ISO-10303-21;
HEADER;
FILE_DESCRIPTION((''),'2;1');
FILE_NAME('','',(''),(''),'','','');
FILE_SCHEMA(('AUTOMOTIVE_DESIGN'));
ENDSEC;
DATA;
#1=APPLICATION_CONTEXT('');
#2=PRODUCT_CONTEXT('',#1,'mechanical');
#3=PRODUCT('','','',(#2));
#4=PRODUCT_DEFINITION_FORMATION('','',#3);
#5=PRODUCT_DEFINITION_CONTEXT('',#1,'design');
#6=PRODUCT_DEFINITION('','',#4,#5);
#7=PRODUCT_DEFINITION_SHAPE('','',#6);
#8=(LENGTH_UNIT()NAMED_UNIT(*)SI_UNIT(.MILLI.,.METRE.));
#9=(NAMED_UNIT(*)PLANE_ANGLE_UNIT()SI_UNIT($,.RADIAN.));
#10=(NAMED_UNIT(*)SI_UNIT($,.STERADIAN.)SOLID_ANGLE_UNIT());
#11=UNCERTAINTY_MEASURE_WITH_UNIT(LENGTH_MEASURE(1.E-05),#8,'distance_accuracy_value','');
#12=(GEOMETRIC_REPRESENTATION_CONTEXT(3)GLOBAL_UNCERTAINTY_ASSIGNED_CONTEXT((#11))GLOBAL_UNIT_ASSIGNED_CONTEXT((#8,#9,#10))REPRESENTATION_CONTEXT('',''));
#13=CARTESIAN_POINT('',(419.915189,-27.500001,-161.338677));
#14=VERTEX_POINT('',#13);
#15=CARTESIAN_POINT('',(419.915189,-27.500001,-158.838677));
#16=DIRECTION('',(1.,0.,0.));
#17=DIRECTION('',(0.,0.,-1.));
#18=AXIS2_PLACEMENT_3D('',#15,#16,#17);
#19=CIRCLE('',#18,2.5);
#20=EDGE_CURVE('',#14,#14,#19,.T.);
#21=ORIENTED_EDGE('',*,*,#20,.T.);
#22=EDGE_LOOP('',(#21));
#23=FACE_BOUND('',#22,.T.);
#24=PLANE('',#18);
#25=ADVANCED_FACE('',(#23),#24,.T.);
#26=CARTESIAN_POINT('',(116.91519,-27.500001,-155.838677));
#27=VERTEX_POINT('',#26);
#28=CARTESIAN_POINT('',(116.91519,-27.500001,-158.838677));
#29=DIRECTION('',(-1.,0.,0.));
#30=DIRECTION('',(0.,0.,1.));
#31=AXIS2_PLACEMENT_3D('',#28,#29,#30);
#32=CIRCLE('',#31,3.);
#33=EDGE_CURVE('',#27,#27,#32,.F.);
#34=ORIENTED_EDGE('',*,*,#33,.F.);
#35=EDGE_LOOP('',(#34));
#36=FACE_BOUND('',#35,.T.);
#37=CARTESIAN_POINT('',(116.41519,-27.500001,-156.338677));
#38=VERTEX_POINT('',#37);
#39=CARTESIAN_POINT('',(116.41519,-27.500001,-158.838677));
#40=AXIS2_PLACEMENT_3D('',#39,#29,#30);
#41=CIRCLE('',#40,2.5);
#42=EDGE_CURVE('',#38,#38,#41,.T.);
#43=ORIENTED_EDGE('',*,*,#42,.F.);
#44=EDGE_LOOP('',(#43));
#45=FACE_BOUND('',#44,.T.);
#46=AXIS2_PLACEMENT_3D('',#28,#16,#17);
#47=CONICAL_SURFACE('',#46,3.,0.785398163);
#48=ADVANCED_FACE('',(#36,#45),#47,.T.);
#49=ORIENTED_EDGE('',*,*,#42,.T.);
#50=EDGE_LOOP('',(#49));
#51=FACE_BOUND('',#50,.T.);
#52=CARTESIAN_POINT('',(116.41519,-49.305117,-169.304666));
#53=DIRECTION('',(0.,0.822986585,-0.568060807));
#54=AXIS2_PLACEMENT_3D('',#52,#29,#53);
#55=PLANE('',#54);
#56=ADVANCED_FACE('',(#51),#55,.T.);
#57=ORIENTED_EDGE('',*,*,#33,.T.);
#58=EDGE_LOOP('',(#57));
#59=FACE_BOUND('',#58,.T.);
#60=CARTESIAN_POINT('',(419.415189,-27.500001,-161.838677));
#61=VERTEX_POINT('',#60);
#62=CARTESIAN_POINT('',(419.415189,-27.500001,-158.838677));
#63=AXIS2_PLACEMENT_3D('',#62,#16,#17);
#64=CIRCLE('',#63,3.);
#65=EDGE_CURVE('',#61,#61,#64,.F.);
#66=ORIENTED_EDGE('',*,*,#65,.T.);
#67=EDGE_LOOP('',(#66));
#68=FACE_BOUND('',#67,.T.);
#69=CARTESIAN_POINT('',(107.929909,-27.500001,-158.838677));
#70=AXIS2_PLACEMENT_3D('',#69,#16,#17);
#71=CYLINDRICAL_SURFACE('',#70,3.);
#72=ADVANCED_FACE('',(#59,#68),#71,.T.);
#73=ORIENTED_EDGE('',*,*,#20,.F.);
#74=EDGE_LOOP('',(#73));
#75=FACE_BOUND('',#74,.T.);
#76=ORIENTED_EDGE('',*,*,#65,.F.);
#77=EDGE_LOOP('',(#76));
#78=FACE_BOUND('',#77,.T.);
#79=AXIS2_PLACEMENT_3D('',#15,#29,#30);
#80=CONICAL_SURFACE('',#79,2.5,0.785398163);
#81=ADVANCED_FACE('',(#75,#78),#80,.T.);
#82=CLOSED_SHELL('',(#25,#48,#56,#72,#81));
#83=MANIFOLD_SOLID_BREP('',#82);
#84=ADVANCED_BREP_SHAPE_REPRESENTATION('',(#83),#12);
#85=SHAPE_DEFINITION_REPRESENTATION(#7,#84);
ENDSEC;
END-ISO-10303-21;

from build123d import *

# Parameters (mm, degrees)
CROQUIS1_R              = 3
SALIENTE_EXTRUIR1_DEPTH = 303.499999388
CHAFL_N1_SIZE           = 0.5


with BuildPart() as part:
    # Croquis1 → Saliente-Extruir1 (new body)
    with BuildSketch(Plane(origin=(419.915189324, 0, 0), x_dir=(0, 0, -1), z_dir=(1, 0, 0))):
        with Locations((158.838677326, -27.50000144)):
            Circle(CROQUIS1_R)
    extrude(amount=-SALIENTE_EXTRUIR1_DEPTH)

    # Chaflán1
    chafl_n1_edges = [part.edges().sort_by_distance(p)[0] for p in [
        (419.915189324, -27.50000144, -155.838677326),
        (116.415189936, -27.50000144, -155.838677326),
    ]]
    chamfer(chafl_n1_edges, length=CHAFL_N1_SIZE)


solid = part.part
